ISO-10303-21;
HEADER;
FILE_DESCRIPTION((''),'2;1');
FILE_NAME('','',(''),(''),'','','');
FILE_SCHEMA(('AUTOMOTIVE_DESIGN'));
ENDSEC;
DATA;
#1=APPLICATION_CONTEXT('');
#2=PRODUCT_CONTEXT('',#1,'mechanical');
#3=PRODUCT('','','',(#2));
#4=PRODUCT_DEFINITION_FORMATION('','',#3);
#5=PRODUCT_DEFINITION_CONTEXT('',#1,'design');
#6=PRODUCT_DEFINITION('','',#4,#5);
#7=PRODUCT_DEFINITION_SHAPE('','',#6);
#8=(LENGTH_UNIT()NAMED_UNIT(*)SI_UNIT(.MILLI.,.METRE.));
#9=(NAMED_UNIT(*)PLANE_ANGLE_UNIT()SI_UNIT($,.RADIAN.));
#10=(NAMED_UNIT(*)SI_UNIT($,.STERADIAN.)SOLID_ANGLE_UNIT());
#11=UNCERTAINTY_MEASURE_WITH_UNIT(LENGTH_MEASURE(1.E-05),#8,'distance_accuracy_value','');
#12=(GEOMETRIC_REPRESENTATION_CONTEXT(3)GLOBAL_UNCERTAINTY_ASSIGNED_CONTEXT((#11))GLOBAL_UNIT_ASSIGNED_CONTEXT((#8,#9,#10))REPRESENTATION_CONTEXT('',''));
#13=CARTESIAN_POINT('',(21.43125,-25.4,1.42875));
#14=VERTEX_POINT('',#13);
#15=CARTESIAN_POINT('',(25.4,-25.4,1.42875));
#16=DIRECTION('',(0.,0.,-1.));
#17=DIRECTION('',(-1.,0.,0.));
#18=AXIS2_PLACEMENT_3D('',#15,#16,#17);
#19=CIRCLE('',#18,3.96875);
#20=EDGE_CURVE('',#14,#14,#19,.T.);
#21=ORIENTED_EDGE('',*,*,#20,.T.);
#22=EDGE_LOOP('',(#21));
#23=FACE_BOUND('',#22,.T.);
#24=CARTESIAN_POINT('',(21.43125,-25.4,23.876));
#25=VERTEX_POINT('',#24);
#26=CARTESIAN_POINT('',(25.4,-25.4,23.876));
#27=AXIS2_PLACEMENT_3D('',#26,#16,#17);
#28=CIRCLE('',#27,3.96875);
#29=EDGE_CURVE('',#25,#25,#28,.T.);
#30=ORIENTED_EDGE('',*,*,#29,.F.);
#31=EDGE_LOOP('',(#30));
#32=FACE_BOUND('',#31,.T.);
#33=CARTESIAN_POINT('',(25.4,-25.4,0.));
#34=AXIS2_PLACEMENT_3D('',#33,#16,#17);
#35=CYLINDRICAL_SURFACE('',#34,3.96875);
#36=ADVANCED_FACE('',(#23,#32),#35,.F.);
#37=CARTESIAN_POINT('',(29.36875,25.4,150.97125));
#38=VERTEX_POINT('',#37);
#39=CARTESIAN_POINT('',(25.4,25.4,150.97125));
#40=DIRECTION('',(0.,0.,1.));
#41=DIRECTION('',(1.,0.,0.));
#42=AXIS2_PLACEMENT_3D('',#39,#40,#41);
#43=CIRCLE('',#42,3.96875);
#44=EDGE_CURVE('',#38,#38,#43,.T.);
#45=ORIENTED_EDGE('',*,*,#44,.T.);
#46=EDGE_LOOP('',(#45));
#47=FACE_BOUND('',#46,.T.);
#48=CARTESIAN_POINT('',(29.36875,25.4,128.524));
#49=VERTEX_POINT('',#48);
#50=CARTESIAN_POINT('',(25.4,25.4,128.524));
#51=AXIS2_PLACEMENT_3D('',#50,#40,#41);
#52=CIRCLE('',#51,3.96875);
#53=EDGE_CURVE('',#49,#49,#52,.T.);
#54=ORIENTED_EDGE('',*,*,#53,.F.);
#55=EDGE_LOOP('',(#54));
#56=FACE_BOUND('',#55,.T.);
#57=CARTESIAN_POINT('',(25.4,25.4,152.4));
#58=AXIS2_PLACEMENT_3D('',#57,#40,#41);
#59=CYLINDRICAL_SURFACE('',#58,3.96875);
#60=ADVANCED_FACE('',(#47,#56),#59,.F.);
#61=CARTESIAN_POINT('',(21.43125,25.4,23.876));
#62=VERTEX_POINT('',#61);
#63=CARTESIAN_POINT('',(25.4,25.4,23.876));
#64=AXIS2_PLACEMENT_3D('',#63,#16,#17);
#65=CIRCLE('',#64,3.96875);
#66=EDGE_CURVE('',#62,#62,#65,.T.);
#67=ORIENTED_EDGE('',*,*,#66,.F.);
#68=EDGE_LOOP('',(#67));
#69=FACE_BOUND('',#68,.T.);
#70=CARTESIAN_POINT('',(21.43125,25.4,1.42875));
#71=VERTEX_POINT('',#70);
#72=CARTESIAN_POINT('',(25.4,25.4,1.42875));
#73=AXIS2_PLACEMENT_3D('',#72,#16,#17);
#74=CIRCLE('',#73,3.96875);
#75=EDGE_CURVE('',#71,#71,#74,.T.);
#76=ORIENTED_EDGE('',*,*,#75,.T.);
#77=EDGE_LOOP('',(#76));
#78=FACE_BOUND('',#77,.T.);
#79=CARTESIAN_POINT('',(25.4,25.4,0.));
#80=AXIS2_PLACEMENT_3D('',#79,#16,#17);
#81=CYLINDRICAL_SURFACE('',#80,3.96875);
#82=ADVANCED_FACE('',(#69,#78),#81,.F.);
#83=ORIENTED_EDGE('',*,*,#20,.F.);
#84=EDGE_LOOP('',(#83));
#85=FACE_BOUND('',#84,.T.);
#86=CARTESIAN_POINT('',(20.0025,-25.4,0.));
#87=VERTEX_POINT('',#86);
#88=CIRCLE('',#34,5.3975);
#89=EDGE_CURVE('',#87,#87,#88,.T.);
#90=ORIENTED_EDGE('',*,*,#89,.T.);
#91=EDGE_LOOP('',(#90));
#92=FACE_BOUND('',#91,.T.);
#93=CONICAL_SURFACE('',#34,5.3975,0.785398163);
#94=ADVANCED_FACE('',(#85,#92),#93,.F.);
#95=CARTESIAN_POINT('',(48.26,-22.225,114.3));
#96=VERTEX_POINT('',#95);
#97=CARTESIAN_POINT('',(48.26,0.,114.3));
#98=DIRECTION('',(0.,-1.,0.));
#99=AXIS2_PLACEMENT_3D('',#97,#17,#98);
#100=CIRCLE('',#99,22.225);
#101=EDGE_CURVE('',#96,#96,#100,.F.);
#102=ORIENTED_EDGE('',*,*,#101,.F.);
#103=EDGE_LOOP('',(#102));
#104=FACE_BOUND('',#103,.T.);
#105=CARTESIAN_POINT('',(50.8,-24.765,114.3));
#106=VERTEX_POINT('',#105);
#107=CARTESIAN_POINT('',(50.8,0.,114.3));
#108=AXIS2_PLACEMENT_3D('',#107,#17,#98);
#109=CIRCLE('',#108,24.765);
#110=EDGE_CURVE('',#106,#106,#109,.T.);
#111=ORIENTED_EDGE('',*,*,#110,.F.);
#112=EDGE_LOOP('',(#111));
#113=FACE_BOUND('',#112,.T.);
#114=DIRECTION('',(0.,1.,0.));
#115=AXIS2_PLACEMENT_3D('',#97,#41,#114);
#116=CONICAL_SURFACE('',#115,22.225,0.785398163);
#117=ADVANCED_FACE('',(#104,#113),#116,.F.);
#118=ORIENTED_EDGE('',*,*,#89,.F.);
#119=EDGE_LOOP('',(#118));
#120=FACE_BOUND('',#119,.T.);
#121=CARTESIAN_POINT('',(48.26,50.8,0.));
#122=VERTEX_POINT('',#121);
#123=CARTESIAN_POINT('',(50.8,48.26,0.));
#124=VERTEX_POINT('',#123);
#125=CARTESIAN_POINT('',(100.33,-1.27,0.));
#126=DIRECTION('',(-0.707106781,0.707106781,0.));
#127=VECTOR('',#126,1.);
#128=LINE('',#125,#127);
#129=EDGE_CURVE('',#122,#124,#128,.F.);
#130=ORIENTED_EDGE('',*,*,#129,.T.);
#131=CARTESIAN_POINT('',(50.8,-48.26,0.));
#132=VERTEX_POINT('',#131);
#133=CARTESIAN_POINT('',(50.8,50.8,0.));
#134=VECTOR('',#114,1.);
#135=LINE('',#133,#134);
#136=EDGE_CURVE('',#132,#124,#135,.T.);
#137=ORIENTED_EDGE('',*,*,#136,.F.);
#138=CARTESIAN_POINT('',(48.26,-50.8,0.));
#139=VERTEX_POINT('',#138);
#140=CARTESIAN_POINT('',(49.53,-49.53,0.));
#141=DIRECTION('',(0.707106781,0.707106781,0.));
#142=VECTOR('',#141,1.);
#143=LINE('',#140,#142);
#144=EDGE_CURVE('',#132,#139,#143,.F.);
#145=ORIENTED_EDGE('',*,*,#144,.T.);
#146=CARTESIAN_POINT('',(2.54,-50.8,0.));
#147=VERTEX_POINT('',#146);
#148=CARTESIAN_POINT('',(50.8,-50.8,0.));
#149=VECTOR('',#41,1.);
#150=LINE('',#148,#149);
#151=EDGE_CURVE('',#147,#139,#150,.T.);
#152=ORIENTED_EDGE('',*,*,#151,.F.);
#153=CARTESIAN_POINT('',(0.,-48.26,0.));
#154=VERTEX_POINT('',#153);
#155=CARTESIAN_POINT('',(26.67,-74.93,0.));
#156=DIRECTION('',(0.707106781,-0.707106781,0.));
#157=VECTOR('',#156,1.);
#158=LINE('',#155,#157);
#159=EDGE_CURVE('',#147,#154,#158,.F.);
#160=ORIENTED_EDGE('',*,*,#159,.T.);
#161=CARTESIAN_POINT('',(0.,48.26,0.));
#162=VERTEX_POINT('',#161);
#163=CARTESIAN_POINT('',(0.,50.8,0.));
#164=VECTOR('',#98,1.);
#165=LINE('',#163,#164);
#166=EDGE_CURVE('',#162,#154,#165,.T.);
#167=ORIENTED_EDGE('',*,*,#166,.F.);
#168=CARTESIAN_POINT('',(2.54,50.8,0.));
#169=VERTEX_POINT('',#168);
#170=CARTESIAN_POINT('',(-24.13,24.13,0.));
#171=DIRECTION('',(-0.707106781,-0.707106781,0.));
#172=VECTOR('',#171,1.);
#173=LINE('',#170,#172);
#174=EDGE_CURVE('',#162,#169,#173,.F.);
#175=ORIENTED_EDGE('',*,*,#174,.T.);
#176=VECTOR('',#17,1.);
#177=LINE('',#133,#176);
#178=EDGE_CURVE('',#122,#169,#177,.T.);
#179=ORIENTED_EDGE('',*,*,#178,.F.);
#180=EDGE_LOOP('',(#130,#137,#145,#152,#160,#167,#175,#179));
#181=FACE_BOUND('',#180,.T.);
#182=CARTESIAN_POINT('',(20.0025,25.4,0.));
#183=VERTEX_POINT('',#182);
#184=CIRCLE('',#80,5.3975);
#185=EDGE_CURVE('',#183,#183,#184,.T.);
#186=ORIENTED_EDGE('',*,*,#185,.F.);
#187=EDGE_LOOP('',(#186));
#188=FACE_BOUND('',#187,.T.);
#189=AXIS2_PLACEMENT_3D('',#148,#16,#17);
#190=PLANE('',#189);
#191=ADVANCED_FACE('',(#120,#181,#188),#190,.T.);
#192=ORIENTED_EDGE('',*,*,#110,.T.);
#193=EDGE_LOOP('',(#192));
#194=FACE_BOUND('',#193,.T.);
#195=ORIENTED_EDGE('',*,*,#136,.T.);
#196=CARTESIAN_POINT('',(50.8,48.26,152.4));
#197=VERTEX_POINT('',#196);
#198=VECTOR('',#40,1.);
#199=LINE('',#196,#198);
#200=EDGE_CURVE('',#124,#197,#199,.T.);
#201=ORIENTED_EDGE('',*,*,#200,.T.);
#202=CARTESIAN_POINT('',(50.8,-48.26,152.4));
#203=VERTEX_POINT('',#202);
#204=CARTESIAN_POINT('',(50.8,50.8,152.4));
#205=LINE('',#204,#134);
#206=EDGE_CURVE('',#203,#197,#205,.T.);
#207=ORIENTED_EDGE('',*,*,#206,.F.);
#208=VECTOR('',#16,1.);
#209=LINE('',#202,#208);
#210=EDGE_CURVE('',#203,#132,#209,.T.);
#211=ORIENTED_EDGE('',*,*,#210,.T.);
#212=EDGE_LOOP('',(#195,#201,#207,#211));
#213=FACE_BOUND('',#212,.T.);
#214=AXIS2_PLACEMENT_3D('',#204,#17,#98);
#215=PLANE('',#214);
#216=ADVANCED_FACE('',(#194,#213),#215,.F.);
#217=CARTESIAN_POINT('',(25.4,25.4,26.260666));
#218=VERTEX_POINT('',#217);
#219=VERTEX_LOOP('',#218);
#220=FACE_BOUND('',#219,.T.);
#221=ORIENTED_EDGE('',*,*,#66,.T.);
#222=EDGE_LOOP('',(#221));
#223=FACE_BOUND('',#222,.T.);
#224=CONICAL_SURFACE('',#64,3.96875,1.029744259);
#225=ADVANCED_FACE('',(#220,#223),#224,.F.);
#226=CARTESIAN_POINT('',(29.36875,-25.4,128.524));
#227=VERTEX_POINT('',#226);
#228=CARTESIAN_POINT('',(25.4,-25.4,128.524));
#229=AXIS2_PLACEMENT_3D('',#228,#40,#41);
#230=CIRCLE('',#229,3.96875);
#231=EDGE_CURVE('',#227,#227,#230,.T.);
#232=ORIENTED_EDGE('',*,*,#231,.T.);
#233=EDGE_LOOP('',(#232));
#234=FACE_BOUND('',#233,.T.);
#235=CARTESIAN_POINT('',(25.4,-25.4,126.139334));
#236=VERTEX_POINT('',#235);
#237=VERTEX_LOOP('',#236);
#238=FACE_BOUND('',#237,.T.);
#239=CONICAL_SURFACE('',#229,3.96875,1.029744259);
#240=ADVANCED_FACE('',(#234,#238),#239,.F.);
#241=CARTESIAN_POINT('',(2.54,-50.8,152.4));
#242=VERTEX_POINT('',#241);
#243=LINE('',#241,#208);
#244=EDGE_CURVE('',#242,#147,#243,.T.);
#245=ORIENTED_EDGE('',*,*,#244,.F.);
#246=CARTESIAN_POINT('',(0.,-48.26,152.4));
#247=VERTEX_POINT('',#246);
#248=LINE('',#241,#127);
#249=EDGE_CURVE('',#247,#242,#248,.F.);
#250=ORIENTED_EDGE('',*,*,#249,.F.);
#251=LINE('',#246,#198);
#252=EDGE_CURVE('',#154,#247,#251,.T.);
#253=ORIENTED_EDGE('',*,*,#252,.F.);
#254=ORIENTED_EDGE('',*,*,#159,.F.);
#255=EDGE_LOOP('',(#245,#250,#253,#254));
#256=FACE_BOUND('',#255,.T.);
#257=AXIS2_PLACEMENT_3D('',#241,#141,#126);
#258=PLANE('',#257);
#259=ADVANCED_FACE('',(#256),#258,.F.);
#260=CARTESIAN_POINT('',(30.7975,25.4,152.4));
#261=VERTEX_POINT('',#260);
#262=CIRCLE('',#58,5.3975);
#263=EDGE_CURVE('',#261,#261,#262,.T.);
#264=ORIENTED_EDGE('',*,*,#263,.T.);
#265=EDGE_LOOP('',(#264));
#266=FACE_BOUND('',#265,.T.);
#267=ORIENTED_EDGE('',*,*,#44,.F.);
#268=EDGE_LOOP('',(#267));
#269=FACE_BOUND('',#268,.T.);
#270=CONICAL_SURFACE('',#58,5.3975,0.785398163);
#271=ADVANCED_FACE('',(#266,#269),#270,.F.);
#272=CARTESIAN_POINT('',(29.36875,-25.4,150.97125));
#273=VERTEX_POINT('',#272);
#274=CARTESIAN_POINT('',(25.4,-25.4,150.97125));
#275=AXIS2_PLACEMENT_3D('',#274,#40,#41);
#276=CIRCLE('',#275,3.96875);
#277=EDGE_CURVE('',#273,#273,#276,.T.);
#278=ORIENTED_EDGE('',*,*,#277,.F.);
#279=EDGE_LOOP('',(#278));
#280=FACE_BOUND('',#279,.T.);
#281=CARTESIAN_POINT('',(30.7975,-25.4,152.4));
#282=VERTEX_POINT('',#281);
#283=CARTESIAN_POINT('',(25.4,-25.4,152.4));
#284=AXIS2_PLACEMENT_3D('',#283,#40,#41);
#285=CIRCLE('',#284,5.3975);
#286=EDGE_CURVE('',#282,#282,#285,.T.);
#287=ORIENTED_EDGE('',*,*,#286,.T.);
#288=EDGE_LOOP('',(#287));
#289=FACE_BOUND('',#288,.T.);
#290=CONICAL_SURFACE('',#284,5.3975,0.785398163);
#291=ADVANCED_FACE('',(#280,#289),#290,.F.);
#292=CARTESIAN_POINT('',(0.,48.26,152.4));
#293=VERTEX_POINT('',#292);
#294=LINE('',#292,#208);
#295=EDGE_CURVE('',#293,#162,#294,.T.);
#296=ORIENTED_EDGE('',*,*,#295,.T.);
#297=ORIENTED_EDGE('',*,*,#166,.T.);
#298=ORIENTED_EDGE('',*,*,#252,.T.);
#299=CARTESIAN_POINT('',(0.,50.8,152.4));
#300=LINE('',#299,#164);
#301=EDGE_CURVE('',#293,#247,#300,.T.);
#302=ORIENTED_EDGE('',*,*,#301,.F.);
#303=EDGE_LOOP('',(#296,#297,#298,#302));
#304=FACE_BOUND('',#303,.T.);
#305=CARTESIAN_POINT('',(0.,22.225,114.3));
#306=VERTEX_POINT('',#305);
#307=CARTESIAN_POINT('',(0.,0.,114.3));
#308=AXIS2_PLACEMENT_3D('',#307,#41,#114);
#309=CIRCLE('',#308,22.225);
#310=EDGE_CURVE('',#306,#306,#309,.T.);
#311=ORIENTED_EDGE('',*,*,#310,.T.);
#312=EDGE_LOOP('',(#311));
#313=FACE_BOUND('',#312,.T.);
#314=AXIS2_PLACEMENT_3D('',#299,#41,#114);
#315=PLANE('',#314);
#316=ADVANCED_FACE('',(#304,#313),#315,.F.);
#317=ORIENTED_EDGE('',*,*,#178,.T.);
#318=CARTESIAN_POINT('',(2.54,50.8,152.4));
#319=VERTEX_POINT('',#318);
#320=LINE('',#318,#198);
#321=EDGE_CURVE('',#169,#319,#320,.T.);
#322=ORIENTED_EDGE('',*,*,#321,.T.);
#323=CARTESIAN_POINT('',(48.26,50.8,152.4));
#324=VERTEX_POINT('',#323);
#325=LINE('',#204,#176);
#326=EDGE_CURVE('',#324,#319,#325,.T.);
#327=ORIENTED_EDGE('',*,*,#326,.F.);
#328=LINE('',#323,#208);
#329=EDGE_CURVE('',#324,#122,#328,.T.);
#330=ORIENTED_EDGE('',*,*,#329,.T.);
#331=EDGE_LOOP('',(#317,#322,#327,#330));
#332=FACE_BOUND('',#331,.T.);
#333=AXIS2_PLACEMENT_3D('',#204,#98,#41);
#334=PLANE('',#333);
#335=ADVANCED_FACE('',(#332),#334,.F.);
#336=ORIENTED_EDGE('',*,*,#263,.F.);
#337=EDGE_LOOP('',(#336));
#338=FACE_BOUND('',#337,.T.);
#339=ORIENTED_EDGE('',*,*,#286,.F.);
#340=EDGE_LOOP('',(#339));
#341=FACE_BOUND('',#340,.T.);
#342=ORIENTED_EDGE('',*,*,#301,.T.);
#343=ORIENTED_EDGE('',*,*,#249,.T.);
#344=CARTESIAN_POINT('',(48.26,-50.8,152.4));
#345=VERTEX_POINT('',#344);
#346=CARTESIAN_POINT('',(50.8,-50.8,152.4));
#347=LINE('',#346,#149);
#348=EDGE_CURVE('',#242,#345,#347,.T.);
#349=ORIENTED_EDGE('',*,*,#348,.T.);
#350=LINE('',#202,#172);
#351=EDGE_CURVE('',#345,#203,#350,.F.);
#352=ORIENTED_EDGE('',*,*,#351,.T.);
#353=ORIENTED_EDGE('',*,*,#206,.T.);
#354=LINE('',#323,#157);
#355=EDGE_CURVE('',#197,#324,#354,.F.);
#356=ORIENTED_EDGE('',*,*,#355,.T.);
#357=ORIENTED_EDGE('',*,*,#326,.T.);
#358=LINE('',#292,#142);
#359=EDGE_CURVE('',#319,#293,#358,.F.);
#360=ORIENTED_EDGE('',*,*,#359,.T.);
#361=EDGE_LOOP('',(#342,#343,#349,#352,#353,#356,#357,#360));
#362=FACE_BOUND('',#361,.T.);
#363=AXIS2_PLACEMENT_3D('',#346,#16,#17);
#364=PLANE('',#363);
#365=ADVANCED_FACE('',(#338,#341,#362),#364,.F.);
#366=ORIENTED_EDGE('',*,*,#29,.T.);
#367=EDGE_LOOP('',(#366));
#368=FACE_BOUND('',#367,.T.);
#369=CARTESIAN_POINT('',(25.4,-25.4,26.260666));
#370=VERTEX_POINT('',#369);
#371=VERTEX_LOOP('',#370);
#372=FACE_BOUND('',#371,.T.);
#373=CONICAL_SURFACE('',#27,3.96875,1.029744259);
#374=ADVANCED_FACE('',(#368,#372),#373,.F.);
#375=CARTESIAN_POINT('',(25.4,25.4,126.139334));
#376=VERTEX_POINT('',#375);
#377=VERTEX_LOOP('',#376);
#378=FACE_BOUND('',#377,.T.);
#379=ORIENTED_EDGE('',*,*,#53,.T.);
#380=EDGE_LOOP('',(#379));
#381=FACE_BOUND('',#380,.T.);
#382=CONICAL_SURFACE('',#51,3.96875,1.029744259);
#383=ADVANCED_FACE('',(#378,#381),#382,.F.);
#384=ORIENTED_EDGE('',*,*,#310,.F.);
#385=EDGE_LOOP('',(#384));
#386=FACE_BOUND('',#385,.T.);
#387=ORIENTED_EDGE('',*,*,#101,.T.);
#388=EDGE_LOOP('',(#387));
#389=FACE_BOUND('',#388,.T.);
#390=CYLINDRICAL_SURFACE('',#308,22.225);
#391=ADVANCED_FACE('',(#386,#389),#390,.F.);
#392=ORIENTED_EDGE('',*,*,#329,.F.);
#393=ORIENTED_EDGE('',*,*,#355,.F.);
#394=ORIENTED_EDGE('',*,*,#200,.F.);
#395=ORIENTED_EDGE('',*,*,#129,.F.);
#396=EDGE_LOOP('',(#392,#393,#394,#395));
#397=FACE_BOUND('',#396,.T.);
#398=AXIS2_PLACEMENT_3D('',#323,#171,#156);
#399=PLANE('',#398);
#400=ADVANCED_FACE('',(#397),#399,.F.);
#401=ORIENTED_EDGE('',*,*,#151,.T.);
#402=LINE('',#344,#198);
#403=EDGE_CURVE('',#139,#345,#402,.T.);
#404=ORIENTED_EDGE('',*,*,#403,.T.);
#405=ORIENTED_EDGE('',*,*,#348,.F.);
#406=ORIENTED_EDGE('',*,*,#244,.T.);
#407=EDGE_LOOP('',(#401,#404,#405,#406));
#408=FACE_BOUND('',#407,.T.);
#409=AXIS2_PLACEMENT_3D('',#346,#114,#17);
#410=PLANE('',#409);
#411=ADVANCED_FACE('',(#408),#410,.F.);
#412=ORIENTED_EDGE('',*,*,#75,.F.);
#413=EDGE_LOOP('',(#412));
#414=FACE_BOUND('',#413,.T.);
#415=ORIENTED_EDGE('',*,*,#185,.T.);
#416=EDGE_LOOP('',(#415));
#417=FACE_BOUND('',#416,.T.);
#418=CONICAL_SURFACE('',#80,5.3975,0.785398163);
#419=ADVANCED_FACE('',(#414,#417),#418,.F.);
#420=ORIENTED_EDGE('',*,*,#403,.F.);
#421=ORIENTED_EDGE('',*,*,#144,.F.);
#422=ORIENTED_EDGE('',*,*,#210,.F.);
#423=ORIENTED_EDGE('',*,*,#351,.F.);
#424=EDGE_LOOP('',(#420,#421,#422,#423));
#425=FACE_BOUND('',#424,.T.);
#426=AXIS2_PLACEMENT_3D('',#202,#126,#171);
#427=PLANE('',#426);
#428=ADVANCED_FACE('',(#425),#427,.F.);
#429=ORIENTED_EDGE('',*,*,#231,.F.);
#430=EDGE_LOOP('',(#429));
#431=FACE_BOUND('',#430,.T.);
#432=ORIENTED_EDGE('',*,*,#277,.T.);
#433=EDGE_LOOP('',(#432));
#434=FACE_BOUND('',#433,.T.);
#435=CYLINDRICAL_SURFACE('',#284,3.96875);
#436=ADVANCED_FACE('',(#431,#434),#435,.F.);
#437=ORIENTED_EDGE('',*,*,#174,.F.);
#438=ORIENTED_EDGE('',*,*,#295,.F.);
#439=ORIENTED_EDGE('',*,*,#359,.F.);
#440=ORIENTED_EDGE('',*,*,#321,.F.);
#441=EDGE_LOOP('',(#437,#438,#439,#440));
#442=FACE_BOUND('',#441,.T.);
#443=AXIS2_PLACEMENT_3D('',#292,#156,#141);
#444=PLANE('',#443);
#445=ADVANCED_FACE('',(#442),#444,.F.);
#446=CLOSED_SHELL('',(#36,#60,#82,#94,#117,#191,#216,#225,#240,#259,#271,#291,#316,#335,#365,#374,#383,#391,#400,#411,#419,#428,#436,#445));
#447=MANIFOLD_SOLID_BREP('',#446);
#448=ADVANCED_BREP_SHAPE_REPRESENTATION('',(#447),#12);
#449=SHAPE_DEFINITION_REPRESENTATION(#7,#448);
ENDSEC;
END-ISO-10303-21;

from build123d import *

# Parameters (mm, degrees)
SKETCH1_W                        = 50.8
SKETCH1_H                        = 101.6
EXTRUDE1_DEPTH                   = 152.4
SKETCH2_R                        = 22.225
EXTRUDE2_DEPTH                   = 51.8
CHAMFER1_SIZE                    = 2.54
F_3_8_16_TAPPED_HOLE1_AT_2_COUNT = 2
F_3_8_16_TAPPED_HOLE1_AT_2_PITCH = 50.8


with BuildPart() as part:
    # Sketch1 → Extrude1 (new body)
    with BuildSketch(Plane.XY):
        with Locations((25.4, 0)):
            Rectangle(SKETCH1_W, SKETCH1_H)
    extrude(amount=EXTRUDE1_DEPTH)

    # Sketch2 → Extrude2 (cut, through all)
    with BuildSketch(Plane(origin=(50.8, 0, 0), x_dir=(0, 0, -1), z_dir=(1, 0, 0))):
        with Locations(Location((-114.3, 0, 0), (0, 0, 90))):  # turned: the seam where the file's is
            Circle(SKETCH2_R)
    extrude(amount=-EXTRUDE2_DEPTH, mode=Mode.SUBTRACT)

    # Chamfer1
    chamfer1_edges = [part.edges().sort_by_distance(p)[0] for p in [
        (50.8, -22.225, 114.3),
        (50.8, -50.8, 76.2),
        (0, -50.8, 76.2),
        (0, 50.8, 76.2),
        (50.8, 50.8, 76.2),
    ]]
    chamfer(chamfer1_edges, length=CHAMFER1_SIZE)

    # Sketch3 → 3/8-16 Tapped Hole1 (revolve, cut)
    with BuildSketch(Plane(origin=(25.4, -25.4, 0), x_dir=(0, 1, 0), z_dir=(1, 0, 0))):
        Polygon((0, 0), (0, 26.260665582), (3.96875, 23.876), (3.96875, 1.42875), (5.3975, 0), align=None)
    f_3_8_16_tapped_hole1 = revolve(axis=Axis((25.4, -25.4, -6.35), (0, 0, 1)), mode=Mode.SUBTRACT)

    # 3/8-16 Tapped Hole1 at 2: 3/8-16 Tapped Hole1 ×2
    with Locations(*[(0, i * F_3_8_16_TAPPED_HOLE1_AT_2_PITCH, 0) for i in range(1, F_3_8_16_TAPPED_HOLE1_AT_2_COUNT)]):
        add(f_3_8_16_tapped_hole1, mode=Mode.SUBTRACT)

    # Mirror1: 3/8-16 Tapped Hole1 across plane
    add(f_3_8_16_tapped_hole1.mirror(Plane(origin=(0, 0, 76.2), x_dir=(1, 0, 0), z_dir=(0, 0, -1))), mode=Mode.SUBTRACT)

    # Mirror1 copy 1 sketch → Mirror1 copy 1 (revolve, cut)
    with BuildSketch(Plane(origin=(25.4, 25.4, 152.4), x_dir=(0, 1, 0), z_dir=(1, 0, 0))):
        Polygon((0, 0), (0, -26.260665582), (3.96875, -23.876), (3.96875, -1.42875), (5.3975, 0), align=None)
    revolve(axis=Axis((25.4, 25.4, 158.75), (0, 0, 1)), mode=Mode.SUBTRACT)


solid = part.part
